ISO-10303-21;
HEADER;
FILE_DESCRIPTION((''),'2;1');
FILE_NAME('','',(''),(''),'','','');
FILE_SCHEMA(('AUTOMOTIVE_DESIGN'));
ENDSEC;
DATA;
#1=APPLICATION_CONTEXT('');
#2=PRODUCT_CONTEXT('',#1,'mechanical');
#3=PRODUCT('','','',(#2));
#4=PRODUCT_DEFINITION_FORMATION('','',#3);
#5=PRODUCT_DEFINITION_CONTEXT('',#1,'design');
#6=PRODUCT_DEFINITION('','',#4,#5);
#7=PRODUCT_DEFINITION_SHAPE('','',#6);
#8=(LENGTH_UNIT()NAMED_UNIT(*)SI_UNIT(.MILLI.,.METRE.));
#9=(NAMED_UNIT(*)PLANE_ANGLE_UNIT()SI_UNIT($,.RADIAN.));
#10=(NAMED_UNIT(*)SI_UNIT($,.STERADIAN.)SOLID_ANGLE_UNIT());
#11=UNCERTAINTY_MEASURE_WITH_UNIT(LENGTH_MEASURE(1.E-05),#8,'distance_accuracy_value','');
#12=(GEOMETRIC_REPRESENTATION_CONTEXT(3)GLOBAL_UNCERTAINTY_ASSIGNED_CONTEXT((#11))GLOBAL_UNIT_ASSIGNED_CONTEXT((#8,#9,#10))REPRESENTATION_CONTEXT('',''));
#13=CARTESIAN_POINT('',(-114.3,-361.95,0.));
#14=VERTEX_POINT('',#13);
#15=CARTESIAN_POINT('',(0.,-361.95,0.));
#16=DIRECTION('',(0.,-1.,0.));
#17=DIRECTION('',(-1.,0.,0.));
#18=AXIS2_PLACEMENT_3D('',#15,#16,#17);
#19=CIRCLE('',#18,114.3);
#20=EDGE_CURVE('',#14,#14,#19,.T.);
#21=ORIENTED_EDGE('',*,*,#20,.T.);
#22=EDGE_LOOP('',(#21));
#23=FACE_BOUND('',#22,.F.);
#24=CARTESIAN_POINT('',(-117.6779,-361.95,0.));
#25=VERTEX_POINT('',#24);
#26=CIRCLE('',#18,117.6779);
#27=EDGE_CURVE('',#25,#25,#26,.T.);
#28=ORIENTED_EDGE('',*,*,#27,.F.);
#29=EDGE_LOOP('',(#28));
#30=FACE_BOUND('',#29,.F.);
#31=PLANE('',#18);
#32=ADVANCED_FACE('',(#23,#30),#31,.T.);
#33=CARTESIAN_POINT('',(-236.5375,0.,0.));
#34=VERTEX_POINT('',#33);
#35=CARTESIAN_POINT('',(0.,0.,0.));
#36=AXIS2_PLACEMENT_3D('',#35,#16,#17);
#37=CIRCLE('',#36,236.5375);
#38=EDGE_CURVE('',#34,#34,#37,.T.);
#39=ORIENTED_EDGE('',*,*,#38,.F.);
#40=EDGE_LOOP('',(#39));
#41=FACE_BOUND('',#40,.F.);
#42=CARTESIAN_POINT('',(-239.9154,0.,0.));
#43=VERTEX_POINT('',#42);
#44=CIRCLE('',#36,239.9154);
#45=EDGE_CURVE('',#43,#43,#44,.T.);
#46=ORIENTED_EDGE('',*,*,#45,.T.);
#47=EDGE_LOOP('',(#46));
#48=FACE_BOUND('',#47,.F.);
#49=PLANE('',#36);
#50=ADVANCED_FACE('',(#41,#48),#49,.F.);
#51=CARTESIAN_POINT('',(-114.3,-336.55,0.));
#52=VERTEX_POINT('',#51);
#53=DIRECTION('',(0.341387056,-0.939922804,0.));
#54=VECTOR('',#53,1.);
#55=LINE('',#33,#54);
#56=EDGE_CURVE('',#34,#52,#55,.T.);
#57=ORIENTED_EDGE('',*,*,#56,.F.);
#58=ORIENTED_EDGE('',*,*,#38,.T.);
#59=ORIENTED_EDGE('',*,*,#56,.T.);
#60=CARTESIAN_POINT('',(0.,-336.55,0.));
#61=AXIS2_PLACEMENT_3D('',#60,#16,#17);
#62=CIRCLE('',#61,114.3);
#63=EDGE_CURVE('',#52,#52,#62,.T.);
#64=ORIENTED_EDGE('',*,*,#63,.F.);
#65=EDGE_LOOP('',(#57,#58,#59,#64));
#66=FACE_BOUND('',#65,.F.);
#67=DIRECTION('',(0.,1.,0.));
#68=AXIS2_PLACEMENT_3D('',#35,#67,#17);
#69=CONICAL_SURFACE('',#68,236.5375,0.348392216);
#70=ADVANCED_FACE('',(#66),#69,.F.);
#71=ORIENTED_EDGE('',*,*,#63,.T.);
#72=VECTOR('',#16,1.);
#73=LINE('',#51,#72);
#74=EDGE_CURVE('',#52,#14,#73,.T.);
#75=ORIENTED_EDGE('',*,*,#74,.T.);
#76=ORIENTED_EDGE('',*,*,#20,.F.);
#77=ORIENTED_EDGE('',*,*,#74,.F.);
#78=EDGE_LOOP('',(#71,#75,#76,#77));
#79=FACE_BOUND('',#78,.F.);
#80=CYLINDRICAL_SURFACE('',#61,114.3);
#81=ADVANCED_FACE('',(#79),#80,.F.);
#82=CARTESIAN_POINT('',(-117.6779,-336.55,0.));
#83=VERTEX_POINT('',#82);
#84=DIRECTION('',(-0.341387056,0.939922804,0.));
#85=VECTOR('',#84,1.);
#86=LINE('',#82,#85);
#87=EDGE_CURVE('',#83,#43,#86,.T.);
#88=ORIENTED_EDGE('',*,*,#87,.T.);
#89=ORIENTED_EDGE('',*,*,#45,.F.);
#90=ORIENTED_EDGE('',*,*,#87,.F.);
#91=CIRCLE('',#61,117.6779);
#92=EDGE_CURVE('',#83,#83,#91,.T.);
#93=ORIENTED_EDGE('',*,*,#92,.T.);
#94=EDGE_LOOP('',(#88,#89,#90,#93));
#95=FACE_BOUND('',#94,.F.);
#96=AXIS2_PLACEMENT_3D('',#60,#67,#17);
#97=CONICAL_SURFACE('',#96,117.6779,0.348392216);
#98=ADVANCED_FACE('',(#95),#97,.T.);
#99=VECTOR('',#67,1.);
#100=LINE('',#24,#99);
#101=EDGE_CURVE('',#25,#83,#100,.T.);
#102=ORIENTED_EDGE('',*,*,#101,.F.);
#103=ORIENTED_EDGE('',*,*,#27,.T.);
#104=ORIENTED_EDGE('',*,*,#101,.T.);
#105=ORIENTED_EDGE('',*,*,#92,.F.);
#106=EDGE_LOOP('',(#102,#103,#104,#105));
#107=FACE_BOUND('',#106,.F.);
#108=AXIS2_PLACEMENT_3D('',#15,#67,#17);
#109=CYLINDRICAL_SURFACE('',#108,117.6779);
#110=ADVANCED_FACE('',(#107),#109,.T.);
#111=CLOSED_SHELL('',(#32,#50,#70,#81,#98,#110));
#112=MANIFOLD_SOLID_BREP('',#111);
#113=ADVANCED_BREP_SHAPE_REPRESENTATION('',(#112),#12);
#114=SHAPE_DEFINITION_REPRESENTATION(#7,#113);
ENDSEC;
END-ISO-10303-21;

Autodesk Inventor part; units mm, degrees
ref_plane "YZ Plane" through (0, 0, 0) normal (1, 0, 0) x (0, 1, 0)
ref_plane "XZ Plane" through (0, 0, 0) normal (0, 1, 0) x (-1, 0, 0)
ref_plane "XY Plane" through (0, 0, 0) normal (0, 0, 1) x (1, 0, 0)
sketch "Sketch1" plane through (0, 0, 0) normal (0, 0, 1) x (1, 0, 0)
  line L0 (-239.9154, 0) -> (-236.5375, 0)
  line L1 (-236.5375, 0) -> (-114.3, -336.55)
  line L2 (-114.3, -336.55) -> (-117.6779, -336.55)
  line L3 (-117.6779, -336.55) -> (-239.9154, 0)
  line L4 (0, 0) -> (0, -62.0515)
  line L5 (-114.3, -336.55) -> (-114.3, -361.95)
  line L6 (-114.3, -361.95) -> (-117.6779, -361.95)
  line L7 (-117.6779, -361.95) -> (-117.6779, -336.55)
  dimension "d0" = 361.95
  dimension "d1" = 25.4
  dimension "d2" = 0
  dimension "d3" = 236.5375
  dimension "d4" = 3.175
  dimension "d5" = 114.3
revolve "Revolution1" add sketch "Sketch1" angle 360 about axis through (0, 0, 0) along (0, -1, 0)
properties part number "GE-12014"
